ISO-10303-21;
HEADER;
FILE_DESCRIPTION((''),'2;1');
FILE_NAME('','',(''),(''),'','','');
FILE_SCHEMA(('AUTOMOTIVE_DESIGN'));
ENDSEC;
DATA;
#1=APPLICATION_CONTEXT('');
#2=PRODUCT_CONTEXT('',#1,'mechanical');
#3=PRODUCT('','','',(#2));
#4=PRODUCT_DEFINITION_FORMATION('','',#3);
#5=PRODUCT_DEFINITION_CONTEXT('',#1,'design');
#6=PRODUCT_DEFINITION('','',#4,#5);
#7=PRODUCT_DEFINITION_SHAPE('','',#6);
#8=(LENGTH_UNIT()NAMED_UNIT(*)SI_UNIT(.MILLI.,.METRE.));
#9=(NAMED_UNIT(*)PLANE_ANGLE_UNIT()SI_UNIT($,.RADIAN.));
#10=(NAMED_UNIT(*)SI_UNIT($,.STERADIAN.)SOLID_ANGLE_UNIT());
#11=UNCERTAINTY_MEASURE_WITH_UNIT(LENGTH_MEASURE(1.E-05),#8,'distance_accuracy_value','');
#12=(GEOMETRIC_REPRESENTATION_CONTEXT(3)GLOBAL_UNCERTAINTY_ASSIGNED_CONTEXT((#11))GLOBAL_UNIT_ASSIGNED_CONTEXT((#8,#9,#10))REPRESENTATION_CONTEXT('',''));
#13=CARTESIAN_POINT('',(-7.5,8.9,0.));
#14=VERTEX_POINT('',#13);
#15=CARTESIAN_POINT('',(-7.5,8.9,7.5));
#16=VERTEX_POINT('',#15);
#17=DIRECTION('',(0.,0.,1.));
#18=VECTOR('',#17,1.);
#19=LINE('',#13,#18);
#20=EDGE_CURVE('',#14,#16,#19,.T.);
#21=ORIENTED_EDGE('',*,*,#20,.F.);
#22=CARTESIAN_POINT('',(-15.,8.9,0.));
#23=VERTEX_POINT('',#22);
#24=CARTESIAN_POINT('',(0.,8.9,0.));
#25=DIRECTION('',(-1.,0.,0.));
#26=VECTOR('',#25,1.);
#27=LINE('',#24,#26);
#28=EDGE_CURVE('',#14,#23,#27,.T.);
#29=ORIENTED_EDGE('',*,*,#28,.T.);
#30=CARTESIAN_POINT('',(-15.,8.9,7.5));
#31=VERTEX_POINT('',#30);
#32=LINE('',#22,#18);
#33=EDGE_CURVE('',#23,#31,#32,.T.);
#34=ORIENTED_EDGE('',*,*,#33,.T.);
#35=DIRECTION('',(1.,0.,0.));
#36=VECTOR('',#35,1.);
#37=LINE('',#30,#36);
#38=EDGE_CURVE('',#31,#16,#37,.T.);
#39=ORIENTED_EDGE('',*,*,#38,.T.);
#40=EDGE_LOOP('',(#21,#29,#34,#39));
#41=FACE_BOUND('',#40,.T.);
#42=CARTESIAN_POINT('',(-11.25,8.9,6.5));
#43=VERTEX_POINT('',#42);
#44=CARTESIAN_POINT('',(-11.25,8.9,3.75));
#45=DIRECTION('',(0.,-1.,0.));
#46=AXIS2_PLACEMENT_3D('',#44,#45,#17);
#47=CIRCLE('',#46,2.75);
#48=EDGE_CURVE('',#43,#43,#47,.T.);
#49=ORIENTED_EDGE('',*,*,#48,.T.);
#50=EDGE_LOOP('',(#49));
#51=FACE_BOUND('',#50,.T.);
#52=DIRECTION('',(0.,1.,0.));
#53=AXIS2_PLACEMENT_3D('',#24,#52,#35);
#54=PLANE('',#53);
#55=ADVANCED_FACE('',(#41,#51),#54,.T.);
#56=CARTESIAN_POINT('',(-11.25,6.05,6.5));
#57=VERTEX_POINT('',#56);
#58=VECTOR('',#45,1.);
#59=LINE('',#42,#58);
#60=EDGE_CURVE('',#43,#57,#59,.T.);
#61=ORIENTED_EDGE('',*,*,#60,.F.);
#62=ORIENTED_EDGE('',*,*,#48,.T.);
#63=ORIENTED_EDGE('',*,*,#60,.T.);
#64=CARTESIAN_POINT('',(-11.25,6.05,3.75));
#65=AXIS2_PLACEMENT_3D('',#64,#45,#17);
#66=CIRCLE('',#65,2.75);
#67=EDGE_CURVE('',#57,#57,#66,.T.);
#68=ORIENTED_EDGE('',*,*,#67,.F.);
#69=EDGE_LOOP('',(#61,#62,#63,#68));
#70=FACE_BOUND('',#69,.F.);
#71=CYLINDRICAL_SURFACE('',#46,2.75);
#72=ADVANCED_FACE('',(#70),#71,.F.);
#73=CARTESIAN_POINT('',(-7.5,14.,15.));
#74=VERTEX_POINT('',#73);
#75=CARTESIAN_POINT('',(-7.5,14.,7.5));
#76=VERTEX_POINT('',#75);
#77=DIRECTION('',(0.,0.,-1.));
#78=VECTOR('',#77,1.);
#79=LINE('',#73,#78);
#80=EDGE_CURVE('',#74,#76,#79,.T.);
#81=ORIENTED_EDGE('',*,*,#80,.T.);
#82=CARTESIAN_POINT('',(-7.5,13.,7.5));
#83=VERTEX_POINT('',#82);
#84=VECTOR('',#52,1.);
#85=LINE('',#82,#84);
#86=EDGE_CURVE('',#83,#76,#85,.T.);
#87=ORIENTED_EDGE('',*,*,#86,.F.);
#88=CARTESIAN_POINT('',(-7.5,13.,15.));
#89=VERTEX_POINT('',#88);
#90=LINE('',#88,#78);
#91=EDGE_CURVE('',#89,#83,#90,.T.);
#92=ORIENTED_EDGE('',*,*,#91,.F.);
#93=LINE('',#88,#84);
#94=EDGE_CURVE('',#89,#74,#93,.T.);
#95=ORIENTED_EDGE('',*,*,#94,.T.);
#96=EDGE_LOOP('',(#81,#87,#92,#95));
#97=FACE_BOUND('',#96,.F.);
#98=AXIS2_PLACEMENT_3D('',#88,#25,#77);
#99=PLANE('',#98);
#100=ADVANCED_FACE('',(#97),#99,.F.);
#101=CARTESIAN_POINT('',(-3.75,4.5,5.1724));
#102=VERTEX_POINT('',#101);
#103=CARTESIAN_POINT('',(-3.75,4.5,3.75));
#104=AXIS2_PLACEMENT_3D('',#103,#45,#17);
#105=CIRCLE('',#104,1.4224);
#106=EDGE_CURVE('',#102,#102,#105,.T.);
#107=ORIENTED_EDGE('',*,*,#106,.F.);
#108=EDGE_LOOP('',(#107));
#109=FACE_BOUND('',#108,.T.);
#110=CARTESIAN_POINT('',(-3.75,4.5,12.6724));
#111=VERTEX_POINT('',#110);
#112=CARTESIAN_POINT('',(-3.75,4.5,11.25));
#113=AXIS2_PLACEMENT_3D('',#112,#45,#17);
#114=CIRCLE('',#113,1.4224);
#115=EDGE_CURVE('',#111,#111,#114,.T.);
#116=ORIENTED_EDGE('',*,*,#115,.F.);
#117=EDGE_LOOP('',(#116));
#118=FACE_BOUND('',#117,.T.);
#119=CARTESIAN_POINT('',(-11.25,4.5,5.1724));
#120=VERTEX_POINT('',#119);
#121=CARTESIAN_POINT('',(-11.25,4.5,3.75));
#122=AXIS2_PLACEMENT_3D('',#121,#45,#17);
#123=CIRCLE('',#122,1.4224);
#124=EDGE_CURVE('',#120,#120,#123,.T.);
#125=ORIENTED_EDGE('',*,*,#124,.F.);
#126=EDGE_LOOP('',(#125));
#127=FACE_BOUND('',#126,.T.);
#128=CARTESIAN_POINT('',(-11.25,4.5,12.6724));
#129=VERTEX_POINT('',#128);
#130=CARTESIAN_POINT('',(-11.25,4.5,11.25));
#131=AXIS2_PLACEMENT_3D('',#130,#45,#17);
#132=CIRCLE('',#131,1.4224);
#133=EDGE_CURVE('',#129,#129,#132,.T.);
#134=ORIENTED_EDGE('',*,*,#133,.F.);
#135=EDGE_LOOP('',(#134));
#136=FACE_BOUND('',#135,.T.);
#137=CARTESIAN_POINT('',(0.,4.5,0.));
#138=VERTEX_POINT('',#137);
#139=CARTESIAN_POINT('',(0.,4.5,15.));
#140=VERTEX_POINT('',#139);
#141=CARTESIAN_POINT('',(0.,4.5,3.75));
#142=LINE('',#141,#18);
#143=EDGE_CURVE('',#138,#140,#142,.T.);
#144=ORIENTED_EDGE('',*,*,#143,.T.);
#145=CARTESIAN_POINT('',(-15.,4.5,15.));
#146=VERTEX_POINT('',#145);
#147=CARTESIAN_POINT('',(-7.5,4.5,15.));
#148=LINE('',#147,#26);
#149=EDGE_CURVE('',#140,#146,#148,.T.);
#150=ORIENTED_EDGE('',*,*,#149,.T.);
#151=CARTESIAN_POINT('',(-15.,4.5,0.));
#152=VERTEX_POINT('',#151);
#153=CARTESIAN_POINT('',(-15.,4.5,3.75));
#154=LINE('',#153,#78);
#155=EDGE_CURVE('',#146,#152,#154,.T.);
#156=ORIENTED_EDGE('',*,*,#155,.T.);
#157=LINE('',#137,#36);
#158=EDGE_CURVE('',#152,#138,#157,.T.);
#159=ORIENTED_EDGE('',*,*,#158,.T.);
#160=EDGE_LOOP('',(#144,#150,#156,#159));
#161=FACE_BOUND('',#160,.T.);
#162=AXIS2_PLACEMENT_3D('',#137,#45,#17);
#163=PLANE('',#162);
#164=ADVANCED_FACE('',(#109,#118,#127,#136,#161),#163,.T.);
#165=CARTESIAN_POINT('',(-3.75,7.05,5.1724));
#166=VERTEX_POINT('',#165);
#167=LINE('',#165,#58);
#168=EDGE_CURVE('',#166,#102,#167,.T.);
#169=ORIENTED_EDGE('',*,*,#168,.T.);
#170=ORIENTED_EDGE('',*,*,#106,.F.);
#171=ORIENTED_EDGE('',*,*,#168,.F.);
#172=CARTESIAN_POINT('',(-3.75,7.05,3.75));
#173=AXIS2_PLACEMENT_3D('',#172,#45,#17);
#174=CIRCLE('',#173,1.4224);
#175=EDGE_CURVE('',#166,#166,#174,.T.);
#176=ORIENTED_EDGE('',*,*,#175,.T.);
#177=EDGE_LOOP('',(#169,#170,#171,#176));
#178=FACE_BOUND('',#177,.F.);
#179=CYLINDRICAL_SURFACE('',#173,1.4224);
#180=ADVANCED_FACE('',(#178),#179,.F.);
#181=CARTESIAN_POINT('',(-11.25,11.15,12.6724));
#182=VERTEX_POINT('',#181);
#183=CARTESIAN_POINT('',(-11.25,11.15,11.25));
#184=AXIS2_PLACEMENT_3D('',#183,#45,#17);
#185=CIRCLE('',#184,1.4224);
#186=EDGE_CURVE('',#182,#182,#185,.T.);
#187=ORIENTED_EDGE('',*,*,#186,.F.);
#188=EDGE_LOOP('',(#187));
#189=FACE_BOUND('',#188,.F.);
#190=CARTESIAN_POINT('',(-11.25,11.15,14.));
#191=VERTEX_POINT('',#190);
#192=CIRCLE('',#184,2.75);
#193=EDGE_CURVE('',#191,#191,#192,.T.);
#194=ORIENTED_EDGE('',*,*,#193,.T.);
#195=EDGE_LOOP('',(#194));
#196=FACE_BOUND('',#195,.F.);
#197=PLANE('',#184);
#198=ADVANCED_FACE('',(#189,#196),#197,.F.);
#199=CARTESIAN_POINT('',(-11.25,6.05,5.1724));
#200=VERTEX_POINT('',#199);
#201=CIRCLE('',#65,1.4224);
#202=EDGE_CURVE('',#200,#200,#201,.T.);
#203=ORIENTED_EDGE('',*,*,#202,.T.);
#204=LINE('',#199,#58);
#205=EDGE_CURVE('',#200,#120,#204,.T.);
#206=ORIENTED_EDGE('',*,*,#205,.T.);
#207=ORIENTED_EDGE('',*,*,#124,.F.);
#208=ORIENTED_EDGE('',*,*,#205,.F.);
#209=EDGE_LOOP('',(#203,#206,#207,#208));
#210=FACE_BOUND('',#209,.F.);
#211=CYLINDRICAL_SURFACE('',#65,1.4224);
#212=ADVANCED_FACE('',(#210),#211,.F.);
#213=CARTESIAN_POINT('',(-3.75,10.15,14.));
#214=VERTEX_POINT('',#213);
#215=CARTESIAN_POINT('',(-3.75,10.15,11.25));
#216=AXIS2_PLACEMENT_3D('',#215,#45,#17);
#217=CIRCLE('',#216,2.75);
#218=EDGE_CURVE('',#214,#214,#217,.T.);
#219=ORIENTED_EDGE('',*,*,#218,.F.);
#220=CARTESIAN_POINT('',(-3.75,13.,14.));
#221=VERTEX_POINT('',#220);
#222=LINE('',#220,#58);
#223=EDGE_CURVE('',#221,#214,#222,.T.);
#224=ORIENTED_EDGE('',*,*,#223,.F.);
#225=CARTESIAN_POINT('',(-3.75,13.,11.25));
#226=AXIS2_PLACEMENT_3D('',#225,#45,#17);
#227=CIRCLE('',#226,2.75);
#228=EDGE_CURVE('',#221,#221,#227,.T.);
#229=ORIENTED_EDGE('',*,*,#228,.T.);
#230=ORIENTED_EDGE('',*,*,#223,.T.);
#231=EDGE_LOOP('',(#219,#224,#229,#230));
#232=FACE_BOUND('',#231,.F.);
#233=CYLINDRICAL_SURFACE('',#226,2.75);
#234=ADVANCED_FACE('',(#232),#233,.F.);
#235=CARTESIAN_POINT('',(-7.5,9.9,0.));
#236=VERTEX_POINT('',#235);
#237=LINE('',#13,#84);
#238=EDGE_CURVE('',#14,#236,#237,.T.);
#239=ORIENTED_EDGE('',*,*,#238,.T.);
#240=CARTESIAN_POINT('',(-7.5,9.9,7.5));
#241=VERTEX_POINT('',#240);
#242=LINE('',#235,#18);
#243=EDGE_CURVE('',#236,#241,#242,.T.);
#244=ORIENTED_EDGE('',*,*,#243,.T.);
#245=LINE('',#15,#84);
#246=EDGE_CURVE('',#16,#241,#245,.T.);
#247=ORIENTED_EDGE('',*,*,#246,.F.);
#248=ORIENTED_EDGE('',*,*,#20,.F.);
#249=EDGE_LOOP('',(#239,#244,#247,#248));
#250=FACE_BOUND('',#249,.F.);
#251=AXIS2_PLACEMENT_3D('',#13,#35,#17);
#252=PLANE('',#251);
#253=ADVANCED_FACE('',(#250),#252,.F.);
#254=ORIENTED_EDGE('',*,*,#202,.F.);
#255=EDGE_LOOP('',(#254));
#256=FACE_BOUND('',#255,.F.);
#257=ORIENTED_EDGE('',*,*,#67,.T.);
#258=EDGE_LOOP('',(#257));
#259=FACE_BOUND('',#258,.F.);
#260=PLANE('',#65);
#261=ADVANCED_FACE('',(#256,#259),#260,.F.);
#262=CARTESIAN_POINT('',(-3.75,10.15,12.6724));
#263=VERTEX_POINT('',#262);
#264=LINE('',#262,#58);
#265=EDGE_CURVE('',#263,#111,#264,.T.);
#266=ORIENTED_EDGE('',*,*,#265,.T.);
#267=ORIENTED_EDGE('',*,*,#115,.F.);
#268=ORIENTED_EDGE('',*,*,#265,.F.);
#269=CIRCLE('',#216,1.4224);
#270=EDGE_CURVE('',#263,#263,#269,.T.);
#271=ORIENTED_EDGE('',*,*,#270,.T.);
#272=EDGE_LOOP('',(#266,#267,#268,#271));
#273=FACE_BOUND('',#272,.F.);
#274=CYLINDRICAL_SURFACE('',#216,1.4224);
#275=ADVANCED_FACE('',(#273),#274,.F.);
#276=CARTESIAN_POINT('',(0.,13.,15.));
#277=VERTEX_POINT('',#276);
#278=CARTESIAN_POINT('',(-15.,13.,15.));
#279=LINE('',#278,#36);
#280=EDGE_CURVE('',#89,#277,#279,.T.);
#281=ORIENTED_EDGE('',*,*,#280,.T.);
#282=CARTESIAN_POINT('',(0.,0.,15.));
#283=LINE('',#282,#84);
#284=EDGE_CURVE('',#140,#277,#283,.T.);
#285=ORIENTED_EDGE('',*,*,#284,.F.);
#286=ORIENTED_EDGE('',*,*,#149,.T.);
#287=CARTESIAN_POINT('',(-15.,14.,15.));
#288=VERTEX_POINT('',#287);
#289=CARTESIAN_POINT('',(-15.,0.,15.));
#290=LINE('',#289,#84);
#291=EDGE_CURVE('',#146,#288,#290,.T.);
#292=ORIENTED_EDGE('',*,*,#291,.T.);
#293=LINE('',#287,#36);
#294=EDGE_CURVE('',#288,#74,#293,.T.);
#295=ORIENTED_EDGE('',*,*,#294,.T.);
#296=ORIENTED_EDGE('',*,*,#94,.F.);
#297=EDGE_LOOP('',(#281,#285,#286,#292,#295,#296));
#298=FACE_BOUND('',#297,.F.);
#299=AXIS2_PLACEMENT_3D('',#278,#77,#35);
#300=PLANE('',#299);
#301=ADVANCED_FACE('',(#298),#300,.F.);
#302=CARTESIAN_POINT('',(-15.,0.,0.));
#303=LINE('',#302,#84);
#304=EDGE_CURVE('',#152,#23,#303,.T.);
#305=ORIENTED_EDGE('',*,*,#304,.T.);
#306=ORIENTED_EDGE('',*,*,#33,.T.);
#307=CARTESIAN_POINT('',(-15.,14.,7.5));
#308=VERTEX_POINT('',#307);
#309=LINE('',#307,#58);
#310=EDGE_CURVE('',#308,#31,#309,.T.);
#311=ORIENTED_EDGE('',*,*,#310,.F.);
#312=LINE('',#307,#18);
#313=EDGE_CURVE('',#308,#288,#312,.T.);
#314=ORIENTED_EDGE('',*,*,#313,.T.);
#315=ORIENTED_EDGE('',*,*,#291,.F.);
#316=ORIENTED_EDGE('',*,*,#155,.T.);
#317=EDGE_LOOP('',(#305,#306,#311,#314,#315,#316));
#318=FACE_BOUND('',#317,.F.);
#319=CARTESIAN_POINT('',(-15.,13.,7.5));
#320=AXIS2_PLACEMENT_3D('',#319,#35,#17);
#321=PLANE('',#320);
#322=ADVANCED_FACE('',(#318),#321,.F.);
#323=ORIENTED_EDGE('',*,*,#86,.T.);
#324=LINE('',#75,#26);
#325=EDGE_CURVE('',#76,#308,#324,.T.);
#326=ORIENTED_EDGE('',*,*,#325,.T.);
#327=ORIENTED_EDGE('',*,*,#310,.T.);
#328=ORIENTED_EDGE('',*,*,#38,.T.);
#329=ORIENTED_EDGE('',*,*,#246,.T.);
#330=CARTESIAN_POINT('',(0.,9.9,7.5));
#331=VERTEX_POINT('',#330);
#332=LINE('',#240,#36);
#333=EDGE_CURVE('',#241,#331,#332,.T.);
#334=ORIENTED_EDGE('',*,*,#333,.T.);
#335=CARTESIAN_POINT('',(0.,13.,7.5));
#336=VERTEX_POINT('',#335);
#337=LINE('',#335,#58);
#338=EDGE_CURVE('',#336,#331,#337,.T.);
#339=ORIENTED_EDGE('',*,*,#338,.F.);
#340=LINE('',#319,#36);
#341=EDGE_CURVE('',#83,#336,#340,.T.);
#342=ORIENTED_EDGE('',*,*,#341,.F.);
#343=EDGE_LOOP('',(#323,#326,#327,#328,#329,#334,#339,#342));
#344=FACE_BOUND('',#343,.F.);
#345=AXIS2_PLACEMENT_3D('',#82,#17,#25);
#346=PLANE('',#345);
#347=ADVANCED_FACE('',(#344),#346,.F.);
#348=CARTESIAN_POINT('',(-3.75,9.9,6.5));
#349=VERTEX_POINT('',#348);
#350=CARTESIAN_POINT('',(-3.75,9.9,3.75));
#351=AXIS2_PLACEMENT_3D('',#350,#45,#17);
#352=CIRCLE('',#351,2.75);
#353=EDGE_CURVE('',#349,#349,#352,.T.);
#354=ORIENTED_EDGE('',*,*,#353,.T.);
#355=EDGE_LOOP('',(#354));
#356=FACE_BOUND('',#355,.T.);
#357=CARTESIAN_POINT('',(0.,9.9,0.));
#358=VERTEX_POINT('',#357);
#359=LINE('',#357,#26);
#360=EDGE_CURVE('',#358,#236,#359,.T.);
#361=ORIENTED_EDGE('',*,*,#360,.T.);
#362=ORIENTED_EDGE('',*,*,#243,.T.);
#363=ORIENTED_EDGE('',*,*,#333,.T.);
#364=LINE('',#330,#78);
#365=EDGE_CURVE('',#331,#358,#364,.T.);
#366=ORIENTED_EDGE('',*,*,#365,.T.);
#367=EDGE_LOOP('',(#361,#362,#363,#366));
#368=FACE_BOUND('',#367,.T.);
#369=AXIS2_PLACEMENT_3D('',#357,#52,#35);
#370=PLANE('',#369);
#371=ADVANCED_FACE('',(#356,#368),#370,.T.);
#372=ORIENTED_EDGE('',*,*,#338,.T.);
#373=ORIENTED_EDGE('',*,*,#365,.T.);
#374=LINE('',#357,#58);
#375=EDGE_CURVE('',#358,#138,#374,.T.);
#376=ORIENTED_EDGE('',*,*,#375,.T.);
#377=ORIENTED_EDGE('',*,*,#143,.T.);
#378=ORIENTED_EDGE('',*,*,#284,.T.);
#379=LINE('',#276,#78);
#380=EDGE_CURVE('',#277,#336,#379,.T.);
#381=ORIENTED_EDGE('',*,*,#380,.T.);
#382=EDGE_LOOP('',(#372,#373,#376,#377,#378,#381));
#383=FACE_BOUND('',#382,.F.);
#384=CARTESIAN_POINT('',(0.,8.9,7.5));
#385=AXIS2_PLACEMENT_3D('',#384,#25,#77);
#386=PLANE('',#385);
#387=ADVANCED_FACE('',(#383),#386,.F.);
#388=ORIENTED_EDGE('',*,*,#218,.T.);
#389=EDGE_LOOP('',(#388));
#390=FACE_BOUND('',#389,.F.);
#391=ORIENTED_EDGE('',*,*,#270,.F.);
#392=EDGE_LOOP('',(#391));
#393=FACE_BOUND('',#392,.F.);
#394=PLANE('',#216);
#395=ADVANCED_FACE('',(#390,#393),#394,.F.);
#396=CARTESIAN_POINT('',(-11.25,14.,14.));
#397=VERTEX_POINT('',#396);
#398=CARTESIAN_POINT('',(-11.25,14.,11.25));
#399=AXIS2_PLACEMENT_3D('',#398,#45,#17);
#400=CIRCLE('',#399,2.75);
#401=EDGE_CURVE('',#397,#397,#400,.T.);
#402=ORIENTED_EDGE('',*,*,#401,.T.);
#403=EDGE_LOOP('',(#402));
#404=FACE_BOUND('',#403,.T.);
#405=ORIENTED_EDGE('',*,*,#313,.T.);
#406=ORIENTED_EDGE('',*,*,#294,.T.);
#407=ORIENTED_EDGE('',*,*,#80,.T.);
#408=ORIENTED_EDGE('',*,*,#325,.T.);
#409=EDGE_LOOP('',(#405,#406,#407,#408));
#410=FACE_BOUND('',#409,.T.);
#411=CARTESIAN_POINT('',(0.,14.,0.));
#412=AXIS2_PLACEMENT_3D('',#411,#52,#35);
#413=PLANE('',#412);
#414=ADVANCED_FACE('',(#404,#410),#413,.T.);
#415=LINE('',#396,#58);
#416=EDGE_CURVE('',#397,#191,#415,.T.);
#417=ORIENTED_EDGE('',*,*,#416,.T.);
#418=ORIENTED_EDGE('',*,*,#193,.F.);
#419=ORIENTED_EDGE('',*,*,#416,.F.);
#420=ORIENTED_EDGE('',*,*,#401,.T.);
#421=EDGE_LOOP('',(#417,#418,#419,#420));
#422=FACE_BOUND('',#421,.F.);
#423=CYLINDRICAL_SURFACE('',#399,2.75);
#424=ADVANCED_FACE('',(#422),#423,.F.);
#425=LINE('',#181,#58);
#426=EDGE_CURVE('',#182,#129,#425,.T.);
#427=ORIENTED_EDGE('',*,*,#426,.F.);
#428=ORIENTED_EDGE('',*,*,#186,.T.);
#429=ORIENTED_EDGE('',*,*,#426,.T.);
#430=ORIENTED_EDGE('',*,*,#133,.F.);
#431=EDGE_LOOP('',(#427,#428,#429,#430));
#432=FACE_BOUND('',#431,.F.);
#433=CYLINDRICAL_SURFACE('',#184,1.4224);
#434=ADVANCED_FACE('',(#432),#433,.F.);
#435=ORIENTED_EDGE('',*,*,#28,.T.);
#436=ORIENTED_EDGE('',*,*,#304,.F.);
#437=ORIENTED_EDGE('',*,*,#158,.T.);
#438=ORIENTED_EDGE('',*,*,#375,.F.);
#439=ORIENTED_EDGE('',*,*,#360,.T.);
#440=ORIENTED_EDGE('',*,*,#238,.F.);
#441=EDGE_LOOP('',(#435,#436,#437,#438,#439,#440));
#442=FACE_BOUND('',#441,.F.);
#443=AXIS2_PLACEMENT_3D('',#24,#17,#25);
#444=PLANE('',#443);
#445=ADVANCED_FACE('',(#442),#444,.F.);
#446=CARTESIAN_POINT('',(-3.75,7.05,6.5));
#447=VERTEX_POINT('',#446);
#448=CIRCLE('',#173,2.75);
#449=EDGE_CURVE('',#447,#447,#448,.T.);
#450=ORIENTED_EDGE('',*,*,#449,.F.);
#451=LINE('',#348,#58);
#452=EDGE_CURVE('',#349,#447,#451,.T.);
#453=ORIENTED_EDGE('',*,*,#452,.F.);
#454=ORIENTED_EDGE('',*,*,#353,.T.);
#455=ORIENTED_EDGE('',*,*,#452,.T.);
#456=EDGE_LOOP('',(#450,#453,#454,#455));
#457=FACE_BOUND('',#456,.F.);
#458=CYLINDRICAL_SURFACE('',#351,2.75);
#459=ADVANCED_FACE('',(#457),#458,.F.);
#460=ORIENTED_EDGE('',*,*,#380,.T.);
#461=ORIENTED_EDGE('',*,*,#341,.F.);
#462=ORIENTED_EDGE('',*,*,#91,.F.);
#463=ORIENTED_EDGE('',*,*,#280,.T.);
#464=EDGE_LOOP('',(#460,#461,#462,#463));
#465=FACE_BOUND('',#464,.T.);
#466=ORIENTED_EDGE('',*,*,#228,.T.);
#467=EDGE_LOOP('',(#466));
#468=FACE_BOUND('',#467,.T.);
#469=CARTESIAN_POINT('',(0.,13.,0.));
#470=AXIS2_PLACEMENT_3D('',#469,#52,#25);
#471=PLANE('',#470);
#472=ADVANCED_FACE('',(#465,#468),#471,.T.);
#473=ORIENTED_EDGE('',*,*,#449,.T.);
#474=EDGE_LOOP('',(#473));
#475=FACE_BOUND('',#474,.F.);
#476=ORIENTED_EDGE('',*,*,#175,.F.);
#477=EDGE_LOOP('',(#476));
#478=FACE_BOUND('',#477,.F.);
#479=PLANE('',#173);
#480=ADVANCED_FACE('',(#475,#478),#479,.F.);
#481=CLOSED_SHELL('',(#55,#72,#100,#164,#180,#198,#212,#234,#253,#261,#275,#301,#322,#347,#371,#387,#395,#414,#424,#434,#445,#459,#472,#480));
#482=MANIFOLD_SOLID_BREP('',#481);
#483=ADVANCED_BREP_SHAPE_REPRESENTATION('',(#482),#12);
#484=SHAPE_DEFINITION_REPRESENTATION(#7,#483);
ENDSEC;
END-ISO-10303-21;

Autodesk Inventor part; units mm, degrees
ref_plane "YZ Plane" through (0, 0, 0) normal (1, 0, 0) x (0, 1, 0)
ref_plane "XY Plane" through (0, 0, 0) normal (0, 0, 1) x (1, 0, 0)
sketch "Sketch1" plane through (0, 0, 0) normal (0, 1, 0) x (-1, 0, 0)
  line L0 (15, 15) -> (0, 15)
  line L1 (0, 15) -> (0, 0)
  line L2 (0, 0) -> (15, 0)
  line L3 (15, 0) -> (15, 15)
  dimension "d0" = 15
  dimension "d1" = 15
extrude "Extrusion1" add sketch "Sketch1" along normal blind 13
sketch "Sketch2" plane through (0, 13, 0) normal (0, 1, 0) x (1, 0, 0)
  line L0 (-15, -15) -> (0, -15) construction
  line L1 (0, -15) -> (0, 0) construction
  line L2 (0, 0) -> (-15, 0) construction
  line L3 (-15, 0) -> (-15, -15) construction
  line L4 (-15, 0) -> (-15, -15) construction
  line L5 (-15, -7.5) -> (0, -7.5) construction
  line L6 (-15, -7.5) -> (0, -7.5)
  line L7 (0, -7.5) -> (0, 0)
  line L8 (0, 0) -> (-15, 0)
  line L9 (-15, 0) -> (-15, -7.5)
extrude "Extrusion2" cut sketch "Sketch2" against normal blind 4.1
sketch "Sketch3" plane through (0, 13, 0) normal (0, 1, 0) x (1, 0, 0)
  line L0 (0, -7.5) -> (-15, -7.5) construction
  line L1 (-15, -7.5) -> (-15, -15) construction
  line L2 (-15, -15) -> (0, -15) construction
  line L3 (0, -15) -> (0, -7.5) construction
  line L4 (-15, -15) -> (0, -15) construction
  line L5 (-7.5, -15) -> (-7.5, -7.5) construction
  line L6 (-15, -15) -> (-7.5, -15)
  line L7 (-7.5, -15) -> (-7.5, -7.5)
  line L8 (-7.5, -7.5) -> (-15, -7.5)
  line L9 (-15, -7.5) -> (-15, -15)
  point P0 (0, 0)
extrude "Extrusion3" add sketch "Sketch3" along normal blind 1
sketch "Sketch4" plane through (0, 8.9, 0) normal (0, 1, 0) x (1, 0, 0)
  line L0 (0, 0) -> (0, -7.5) construction
  line L1 (-15, 0) -> (0, 0) construction
  line L2 (-15, -7.5) -> (-15, 0) construction
  line L3 (0, -7.5) -> (-15, -7.5) construction
  line L4 (-7.5, -7.5) -> (-7.5, 0) construction
  line L5 (-7.5, -7.5) -> (0, -7.5)
  line L6 (0, -7.5) -> (0, 0)
  line L7 (0, 0) -> (-7.5, 0)
  line L8 (-7.5, 0) -> (-7.5, -7.5)
extrude "Extrusion4" add sketch "Sketch4" along normal blind 1
sketch "Sketch5" plane through (0, 14, 0) normal (0, 1, 0) x (1, 0, 0)
  line L0 (-15, -15) -> (-7.5, -15) construction
  line L1 (-7.5, -15) -> (-7.5, -7.5) construction
  line L2 (-7.5, -7.5) -> (-15, -7.5) construction
  line L3 (-15, -7.5) -> (-15, -15) construction
  point P0 (0, 0)
  point P1 (-11.25, -11.25)
  point P2 (-11.25, -11.25)
sketch "Sketch6" plane through (0, 13, 0) normal (0, 1, 0) x (1, 0, 0)
  line L0 (-7.5, -7.5) -> (-7.5, -15) construction
  line L1 (-7.5, -15) -> (0, -15) construction
  line L2 (0, -15) -> (0, -7.5) construction
  line L3 (0, -7.5) -> (-7.5, -7.5) construction
  point P0 (0, 0)
  point P1 (-3.75, -11.25)
sketch "Sketch7" plane through (0, 9.9, 0) normal (0, 1, 0) x (1, 0, 0)
  line L0 (0, -7.5) -> (0, 0) construction
  line L1 (0, 0) -> (-7.5, 0) construction
  line L2 (-7.5, 0) -> (-7.5, -7.5) construction
  line L3 (0, -7.5) -> (-7.5, -7.5) construction
  point P0 (-3.75, -3.75)
sketch "Sketch8" plane through (0, 8.9, 0) normal (0, 1, 0) x (1, 0, 0)
  line L0 (-7.5, -7.5) -> (-7.5, 0) construction
  line L1 (-15, 0) -> (-7.5, 0) construction
  line L2 (-15, -7.5) -> (-15, 0) construction
  line L3 (-7.5, -7.5) -> (-15, -7.5) construction
  point P0 (0, 0)
  point P1 (-11.25, -3.75)
hole "Hole1" at (-11.25, 14, 11.25) direction (0, -1, 0) diameter 2.8448 depth 10.414 counterbore diameter 5.5 counterbore depth 2.85
hole "Hole2" at (-3.75, 13, 11.25) direction (0, -1, 0) diameter 2.8448 depth 10.414 counterbore diameter 5.5 counterbore depth 2.85
hole "Hole3" at (-11.25, 8.9, 3.75) direction (0, -1, 0) diameter 2.8448 depth 10.414 counterbore diameter 5.5 counterbore depth 2.85
hole "Hole4" at (-3.75, 9.9, 3.75) direction (0, -1, 0) diameter 2.8448 depth 10.414 counterbore diameter 5.5 counterbore depth 2.85
ref_plane "Work Plane1" through (0, 4.5, 0) normal (0, 1, 0) x (-1, 0, 0)
split "Split1" plane through (0, 4.5, 0) removes the side toward (0, -1, 0)
properties part number "screwprint"
